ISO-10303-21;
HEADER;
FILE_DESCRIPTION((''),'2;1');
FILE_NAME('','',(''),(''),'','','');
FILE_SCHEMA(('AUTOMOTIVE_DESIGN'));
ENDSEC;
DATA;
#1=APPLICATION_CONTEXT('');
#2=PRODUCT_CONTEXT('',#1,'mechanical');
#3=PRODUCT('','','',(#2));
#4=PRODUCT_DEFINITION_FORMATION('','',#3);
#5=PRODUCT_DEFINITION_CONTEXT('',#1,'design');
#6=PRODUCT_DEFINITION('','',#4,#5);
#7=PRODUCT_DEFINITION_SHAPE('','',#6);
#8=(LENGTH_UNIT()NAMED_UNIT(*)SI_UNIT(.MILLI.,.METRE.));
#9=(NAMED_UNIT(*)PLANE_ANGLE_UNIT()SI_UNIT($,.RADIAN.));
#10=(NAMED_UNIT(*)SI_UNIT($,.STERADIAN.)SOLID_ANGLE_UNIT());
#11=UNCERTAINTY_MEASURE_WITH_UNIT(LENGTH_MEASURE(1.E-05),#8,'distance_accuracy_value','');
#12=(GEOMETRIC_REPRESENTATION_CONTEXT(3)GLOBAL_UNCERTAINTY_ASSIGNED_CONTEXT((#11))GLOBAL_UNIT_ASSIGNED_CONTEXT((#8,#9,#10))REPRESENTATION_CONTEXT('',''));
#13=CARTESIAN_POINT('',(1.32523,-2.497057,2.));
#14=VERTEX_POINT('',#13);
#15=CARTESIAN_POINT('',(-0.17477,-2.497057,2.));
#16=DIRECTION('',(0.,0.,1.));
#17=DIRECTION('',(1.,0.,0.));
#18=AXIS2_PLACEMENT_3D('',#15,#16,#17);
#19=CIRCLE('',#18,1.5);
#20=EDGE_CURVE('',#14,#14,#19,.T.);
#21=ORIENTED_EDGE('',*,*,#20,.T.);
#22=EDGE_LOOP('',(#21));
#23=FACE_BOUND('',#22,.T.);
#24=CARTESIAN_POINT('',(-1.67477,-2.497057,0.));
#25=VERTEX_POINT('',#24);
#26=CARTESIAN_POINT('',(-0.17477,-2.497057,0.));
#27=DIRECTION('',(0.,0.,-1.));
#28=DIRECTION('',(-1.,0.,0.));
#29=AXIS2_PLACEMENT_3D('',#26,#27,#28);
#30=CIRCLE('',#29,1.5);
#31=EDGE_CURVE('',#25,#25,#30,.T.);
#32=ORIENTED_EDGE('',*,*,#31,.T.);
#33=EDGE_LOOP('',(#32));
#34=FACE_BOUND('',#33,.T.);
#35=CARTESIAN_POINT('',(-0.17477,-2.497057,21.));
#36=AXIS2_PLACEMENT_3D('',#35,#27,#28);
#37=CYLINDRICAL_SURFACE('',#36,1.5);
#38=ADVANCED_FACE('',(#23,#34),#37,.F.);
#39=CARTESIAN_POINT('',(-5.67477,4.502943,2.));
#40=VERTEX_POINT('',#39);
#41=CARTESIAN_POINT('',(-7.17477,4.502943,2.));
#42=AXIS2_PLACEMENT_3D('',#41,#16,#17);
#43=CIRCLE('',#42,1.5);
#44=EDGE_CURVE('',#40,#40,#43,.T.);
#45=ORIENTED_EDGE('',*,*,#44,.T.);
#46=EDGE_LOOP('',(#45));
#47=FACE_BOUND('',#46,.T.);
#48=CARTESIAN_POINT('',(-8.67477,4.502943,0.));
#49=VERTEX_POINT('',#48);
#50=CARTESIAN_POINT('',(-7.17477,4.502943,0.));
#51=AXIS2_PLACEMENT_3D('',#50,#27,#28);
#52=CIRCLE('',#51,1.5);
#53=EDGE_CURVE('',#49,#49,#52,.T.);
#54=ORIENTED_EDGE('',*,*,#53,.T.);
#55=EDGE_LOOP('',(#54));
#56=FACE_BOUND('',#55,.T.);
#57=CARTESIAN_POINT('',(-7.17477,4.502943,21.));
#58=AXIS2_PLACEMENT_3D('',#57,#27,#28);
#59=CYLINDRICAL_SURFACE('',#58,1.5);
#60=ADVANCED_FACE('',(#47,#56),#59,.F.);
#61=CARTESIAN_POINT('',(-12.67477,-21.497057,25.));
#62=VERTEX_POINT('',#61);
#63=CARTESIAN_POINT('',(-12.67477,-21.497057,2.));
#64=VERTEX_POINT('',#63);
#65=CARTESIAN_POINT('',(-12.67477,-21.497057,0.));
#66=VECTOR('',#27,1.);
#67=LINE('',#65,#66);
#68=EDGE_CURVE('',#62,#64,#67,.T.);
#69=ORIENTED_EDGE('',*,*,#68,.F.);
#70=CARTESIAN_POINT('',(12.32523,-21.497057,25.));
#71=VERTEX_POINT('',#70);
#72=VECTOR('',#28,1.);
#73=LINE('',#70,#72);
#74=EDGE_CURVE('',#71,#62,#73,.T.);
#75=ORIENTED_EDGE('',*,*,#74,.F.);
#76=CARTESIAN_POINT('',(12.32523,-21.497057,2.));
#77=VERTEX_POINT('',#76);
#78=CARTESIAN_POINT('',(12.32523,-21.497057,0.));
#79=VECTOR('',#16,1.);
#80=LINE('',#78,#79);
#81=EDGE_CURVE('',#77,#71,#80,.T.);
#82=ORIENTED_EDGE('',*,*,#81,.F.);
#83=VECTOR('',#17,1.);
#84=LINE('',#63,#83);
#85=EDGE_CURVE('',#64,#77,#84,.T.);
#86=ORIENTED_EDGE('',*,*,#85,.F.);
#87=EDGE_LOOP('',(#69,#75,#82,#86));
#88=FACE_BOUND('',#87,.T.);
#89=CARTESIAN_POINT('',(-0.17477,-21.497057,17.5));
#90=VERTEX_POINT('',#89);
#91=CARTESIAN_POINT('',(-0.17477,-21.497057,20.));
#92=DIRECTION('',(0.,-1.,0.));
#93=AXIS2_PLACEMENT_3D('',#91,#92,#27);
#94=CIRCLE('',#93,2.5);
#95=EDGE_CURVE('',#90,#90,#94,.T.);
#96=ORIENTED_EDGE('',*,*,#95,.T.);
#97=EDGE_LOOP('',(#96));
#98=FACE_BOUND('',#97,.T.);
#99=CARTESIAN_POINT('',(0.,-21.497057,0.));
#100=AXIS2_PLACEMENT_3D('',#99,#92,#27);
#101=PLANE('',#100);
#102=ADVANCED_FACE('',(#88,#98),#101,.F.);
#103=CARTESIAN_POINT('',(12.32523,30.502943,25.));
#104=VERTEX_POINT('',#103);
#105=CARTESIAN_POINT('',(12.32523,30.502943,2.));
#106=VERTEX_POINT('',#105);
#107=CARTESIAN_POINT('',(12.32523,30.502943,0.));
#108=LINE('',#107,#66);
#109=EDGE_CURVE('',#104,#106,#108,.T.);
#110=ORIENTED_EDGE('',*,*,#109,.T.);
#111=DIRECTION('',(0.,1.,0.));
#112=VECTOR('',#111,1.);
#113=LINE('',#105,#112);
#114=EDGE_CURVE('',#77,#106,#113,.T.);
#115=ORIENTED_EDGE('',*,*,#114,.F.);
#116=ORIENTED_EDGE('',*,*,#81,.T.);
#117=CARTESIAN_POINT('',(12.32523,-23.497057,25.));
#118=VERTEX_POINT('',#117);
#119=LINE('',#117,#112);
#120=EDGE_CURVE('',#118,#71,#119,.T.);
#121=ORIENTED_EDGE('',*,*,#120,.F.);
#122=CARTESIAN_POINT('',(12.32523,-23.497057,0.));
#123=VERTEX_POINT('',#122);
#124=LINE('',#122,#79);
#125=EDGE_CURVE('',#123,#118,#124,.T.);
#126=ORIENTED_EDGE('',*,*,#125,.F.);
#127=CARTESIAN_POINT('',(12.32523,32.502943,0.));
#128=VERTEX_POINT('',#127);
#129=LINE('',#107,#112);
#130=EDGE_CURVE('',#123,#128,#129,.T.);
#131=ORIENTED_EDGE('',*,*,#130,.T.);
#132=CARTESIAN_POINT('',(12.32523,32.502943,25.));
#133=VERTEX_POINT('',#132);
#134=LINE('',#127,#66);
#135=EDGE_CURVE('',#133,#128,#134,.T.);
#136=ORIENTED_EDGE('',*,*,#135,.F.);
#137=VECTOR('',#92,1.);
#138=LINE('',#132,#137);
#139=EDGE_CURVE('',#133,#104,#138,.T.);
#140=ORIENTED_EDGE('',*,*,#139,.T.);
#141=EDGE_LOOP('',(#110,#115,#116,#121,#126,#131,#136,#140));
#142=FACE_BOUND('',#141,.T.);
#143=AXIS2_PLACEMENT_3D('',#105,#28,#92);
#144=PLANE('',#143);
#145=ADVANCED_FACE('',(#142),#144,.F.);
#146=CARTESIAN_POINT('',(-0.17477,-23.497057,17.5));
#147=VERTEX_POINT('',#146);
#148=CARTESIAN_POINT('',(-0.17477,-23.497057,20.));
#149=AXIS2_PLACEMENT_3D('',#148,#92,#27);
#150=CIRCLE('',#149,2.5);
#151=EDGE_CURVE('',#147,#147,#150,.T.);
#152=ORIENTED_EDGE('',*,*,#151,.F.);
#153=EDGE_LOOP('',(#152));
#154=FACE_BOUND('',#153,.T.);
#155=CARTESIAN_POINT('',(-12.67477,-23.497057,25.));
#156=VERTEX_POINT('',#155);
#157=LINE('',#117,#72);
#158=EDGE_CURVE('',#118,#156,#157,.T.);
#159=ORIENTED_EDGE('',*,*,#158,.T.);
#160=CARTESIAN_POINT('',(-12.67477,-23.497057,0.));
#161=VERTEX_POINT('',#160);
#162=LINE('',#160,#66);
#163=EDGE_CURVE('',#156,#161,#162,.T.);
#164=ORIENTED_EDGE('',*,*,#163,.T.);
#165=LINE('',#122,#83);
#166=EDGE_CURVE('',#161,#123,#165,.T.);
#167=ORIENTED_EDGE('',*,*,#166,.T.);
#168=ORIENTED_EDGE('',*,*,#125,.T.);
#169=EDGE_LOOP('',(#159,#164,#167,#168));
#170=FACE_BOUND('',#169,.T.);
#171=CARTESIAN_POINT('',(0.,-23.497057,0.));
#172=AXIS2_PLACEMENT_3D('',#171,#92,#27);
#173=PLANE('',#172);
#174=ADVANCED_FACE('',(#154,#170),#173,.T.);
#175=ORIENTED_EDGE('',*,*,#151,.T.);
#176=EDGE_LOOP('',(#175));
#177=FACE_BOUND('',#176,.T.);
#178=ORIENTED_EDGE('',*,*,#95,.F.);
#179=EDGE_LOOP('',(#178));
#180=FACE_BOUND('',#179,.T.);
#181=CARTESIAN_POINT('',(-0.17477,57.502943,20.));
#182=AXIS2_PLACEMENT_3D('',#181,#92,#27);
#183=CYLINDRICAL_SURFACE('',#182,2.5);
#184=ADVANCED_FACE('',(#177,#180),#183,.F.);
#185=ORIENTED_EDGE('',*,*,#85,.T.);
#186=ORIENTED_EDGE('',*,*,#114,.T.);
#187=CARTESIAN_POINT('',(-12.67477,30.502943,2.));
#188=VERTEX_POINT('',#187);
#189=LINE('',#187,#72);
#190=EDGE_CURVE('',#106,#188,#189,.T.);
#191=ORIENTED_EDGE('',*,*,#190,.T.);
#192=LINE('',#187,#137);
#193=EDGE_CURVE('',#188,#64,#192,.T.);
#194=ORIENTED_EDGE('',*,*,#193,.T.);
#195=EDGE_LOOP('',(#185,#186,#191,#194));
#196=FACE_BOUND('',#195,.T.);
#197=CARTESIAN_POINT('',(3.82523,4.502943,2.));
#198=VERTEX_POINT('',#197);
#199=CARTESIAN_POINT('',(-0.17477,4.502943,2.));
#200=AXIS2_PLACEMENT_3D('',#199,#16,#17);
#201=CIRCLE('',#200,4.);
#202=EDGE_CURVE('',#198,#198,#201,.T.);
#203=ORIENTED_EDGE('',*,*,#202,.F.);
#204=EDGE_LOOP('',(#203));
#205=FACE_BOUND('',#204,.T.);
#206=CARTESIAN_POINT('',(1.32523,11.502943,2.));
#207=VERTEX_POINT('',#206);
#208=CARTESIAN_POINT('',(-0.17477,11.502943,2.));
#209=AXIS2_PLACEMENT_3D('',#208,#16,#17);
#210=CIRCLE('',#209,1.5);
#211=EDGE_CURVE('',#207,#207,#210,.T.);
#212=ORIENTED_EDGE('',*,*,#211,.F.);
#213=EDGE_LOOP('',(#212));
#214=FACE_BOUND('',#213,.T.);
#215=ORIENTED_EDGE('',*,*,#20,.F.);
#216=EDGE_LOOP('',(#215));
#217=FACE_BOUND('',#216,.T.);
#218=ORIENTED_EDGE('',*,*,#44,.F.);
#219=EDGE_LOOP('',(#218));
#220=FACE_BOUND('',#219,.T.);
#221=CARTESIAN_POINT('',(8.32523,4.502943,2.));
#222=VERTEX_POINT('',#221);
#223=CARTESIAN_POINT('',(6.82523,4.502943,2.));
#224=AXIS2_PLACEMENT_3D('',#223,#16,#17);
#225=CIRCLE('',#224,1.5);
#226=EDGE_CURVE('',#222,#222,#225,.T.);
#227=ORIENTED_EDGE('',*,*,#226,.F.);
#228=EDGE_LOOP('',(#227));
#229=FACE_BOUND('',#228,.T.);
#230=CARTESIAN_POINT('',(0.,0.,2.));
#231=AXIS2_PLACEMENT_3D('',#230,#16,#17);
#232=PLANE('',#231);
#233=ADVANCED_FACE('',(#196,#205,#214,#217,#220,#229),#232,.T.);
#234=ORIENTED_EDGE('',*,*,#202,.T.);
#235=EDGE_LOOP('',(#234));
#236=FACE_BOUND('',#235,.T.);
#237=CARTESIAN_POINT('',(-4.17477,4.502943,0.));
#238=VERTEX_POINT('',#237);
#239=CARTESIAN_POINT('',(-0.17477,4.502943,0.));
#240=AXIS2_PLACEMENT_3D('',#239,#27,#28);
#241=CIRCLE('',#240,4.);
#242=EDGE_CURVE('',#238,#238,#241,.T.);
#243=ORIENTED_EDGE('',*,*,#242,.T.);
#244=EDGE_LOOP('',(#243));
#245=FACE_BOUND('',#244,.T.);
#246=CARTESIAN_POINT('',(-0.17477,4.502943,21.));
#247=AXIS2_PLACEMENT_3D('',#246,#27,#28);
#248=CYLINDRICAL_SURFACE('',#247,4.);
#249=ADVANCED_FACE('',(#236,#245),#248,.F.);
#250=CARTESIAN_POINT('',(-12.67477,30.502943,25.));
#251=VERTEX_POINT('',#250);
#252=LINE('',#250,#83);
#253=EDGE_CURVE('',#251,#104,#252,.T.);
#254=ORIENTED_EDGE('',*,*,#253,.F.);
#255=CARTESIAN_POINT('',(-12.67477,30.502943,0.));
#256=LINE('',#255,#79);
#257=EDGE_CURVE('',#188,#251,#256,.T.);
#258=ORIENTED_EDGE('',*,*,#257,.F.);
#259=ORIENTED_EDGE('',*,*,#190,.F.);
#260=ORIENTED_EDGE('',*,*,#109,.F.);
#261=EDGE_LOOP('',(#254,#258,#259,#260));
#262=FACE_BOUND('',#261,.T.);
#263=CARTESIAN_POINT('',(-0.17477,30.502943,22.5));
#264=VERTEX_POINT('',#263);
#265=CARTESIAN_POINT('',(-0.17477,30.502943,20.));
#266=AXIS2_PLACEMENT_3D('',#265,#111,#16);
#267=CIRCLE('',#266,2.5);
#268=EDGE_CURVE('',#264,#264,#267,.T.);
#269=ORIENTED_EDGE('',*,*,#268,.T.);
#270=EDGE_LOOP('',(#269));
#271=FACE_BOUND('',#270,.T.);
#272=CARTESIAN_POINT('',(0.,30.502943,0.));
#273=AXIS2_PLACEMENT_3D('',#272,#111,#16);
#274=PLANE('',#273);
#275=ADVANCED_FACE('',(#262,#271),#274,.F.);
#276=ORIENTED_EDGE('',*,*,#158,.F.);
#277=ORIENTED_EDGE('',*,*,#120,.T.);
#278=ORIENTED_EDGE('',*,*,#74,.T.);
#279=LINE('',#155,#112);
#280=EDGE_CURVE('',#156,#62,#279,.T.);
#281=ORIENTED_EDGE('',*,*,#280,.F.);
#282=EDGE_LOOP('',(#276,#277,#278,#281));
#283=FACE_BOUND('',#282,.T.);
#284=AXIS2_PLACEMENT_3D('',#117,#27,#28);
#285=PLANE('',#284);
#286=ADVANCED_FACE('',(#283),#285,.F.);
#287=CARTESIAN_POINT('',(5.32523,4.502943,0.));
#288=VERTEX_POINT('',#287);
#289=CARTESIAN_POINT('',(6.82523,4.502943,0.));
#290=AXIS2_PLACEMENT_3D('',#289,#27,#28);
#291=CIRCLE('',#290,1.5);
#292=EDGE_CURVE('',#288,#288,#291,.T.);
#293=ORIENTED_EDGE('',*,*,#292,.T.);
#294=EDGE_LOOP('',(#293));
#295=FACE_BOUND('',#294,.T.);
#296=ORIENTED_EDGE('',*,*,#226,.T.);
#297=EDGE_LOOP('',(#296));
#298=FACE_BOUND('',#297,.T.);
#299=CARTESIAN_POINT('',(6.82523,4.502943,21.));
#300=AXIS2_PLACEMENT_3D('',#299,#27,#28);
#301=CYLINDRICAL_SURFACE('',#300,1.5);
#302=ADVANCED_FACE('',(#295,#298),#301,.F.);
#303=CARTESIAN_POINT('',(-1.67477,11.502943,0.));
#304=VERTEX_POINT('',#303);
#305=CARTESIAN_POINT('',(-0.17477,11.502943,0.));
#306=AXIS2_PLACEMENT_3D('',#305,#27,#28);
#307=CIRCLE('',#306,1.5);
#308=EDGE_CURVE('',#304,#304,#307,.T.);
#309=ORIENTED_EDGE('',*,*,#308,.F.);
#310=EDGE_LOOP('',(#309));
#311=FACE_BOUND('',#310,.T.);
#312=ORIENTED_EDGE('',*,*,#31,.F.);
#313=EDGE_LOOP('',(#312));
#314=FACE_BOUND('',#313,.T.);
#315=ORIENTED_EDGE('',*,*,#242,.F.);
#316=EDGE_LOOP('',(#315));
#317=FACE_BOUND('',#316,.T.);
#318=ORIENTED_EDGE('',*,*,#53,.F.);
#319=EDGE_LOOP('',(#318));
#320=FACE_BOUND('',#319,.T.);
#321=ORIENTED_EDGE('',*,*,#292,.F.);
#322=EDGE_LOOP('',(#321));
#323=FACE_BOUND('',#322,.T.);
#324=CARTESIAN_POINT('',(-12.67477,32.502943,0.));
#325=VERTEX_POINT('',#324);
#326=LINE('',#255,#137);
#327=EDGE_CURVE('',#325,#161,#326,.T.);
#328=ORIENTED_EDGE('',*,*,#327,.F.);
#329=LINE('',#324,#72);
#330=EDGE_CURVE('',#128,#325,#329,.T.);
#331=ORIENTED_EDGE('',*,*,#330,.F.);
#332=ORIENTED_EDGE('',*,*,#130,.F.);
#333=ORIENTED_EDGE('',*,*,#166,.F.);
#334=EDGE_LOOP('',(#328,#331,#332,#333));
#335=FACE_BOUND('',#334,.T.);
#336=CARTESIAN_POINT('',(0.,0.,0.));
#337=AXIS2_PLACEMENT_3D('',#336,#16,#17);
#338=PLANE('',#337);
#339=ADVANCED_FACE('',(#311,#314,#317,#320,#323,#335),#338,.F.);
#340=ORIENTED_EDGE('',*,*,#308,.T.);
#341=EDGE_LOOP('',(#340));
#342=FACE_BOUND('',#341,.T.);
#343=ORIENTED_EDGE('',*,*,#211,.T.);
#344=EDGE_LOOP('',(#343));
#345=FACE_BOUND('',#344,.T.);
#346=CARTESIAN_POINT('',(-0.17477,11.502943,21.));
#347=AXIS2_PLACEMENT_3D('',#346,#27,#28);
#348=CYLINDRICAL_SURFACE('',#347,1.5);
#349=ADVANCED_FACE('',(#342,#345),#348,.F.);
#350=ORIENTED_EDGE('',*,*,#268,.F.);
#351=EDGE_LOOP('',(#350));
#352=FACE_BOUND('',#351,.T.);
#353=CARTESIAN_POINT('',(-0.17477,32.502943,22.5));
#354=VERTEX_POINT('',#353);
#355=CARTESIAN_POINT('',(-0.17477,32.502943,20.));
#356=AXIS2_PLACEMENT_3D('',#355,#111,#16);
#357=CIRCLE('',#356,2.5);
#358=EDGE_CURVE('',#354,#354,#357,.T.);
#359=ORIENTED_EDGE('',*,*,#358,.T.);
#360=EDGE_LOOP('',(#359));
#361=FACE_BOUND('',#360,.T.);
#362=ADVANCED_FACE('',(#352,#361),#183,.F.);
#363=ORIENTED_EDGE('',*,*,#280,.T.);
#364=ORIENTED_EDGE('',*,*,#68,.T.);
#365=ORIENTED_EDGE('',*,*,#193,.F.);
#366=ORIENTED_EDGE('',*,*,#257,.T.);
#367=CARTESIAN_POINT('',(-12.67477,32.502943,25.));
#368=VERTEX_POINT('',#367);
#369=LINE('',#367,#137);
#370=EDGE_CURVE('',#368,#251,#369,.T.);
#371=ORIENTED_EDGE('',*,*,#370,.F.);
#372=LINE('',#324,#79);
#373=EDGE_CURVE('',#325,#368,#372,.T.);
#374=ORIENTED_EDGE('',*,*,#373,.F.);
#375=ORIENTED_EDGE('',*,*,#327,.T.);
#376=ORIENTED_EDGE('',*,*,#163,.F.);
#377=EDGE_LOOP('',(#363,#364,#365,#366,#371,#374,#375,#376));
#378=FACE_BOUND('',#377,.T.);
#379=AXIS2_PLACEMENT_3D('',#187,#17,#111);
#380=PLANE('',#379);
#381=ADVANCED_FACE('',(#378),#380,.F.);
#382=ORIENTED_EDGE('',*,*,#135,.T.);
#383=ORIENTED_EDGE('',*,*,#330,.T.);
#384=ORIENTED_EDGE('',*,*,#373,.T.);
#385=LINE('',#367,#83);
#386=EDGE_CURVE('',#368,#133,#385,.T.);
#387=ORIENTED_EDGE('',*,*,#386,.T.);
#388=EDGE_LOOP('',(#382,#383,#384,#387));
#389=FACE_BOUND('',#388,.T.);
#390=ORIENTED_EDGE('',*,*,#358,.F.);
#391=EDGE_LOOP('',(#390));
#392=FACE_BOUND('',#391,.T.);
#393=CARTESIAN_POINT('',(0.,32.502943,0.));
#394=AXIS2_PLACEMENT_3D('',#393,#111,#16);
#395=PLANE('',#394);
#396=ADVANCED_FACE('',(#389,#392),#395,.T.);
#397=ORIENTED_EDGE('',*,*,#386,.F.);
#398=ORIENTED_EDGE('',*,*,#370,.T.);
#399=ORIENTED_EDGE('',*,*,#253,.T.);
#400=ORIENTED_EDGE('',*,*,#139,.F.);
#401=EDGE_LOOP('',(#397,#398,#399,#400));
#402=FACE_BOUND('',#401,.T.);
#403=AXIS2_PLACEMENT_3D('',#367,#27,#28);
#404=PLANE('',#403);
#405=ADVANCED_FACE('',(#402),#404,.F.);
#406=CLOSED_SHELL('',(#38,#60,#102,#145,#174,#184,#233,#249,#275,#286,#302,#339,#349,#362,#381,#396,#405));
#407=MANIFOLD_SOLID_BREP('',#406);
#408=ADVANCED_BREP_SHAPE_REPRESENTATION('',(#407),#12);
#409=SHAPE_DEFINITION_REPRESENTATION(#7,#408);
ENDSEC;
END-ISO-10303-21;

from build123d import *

# Parameters (mm, degrees)
SKETCH1_W           = 25
SKETCH1_H           = 52
BOSS_EXTRUDE1_DEPTH = 2
SKETCH2_W           = 25
SKETCH2_H           = 25
BOSS_EXTRUDE2_DEPTH = 2
SKETCH3_W           = 25
SKETCH3_H           = 25
BOSS_EXTRUDE3_DEPTH = 2
SKETCH5_R           = 4
CUT_EXTRUDE2_DEPTH  = 21
SKETCH6_R           = 1.5
CUT_EXTRUDE3_DEPTH  = 21
SKETCH7_R           = 2.5
CUT_EXTRUDE4_DEPTH  = 81


with BuildPart() as part:
    # Sketch1 → Boss-Extrude1 (new body)
    with BuildSketch(Plane.XY):
        with Locations((-0.174770451, 4.502942624)):
            Rectangle(SKETCH1_W, SKETCH1_H)
    extrude(amount=BOSS_EXTRUDE1_DEPTH)

    # Sketch2 → Boss-Extrude2 (add)
    with BuildSketch(Plane(origin=(0, 30.502942624, 0), x_dir=(1, 0, 0), z_dir=(0, 1, 0))):
        with Locations((-0.174770451, -12.5)):
            Rectangle(SKETCH2_W, SKETCH2_H)
    extrude(amount=BOSS_EXTRUDE2_DEPTH)

    # Sketch3 → Boss-Extrude3 (add)
    with BuildSketch(Plane(origin=(0, -21.497057376, 0), x_dir=(-1, 0, 0), z_dir=(0, -1, 0))):
        with Locations((0.174770451, -12.5)):
            Rectangle(SKETCH3_W, SKETCH3_H)
    extrude(amount=BOSS_EXTRUDE3_DEPTH)

    # Sketch5 → Cut-Extrude2 (cut)
    with BuildSketch(Plane(origin=(0, 0, 0), x_dir=(-1, 0, 0), z_dir=(0, 0, -1))):
        with Locations((0.174770451, 4.502942624)):
            Circle(SKETCH5_R)
    extrude(amount=-CUT_EXTRUDE2_DEPTH, mode=Mode.SUBTRACT)

    # Sketch6 → Cut-Extrude3 (cut)
    with BuildSketch(Plane(origin=(0, 0, 0), x_dir=(-1, 0, 0), z_dir=(0, 0, -1))):
        with Locations((7.174770451, 4.502942624)):
            Circle(SKETCH6_R)
        with Locations((0.174770451, -2.497057376)):
            Circle(SKETCH6_R)
        with Locations((-6.825229549, 4.502942624)):
            Circle(SKETCH6_R)
        with Locations((0.174770451, 11.502942624)):
            Circle(SKETCH6_R)
    extrude(amount=-CUT_EXTRUDE3_DEPTH, mode=Mode.SUBTRACT)

    # Sketch7 → Cut-Extrude4 (cut)
    with BuildSketch(Plane(origin=(0, -23.497057376, 0), x_dir=(-1, 0, 0), z_dir=(0, -1, 0))):
        with Locations(Location((0.174770451, -20, 0), (0, 0, 90))):
            Circle(SKETCH7_R)
    extrude(amount=-CUT_EXTRUDE4_DEPTH, mode=Mode.SUBTRACT)


solid = part.part
